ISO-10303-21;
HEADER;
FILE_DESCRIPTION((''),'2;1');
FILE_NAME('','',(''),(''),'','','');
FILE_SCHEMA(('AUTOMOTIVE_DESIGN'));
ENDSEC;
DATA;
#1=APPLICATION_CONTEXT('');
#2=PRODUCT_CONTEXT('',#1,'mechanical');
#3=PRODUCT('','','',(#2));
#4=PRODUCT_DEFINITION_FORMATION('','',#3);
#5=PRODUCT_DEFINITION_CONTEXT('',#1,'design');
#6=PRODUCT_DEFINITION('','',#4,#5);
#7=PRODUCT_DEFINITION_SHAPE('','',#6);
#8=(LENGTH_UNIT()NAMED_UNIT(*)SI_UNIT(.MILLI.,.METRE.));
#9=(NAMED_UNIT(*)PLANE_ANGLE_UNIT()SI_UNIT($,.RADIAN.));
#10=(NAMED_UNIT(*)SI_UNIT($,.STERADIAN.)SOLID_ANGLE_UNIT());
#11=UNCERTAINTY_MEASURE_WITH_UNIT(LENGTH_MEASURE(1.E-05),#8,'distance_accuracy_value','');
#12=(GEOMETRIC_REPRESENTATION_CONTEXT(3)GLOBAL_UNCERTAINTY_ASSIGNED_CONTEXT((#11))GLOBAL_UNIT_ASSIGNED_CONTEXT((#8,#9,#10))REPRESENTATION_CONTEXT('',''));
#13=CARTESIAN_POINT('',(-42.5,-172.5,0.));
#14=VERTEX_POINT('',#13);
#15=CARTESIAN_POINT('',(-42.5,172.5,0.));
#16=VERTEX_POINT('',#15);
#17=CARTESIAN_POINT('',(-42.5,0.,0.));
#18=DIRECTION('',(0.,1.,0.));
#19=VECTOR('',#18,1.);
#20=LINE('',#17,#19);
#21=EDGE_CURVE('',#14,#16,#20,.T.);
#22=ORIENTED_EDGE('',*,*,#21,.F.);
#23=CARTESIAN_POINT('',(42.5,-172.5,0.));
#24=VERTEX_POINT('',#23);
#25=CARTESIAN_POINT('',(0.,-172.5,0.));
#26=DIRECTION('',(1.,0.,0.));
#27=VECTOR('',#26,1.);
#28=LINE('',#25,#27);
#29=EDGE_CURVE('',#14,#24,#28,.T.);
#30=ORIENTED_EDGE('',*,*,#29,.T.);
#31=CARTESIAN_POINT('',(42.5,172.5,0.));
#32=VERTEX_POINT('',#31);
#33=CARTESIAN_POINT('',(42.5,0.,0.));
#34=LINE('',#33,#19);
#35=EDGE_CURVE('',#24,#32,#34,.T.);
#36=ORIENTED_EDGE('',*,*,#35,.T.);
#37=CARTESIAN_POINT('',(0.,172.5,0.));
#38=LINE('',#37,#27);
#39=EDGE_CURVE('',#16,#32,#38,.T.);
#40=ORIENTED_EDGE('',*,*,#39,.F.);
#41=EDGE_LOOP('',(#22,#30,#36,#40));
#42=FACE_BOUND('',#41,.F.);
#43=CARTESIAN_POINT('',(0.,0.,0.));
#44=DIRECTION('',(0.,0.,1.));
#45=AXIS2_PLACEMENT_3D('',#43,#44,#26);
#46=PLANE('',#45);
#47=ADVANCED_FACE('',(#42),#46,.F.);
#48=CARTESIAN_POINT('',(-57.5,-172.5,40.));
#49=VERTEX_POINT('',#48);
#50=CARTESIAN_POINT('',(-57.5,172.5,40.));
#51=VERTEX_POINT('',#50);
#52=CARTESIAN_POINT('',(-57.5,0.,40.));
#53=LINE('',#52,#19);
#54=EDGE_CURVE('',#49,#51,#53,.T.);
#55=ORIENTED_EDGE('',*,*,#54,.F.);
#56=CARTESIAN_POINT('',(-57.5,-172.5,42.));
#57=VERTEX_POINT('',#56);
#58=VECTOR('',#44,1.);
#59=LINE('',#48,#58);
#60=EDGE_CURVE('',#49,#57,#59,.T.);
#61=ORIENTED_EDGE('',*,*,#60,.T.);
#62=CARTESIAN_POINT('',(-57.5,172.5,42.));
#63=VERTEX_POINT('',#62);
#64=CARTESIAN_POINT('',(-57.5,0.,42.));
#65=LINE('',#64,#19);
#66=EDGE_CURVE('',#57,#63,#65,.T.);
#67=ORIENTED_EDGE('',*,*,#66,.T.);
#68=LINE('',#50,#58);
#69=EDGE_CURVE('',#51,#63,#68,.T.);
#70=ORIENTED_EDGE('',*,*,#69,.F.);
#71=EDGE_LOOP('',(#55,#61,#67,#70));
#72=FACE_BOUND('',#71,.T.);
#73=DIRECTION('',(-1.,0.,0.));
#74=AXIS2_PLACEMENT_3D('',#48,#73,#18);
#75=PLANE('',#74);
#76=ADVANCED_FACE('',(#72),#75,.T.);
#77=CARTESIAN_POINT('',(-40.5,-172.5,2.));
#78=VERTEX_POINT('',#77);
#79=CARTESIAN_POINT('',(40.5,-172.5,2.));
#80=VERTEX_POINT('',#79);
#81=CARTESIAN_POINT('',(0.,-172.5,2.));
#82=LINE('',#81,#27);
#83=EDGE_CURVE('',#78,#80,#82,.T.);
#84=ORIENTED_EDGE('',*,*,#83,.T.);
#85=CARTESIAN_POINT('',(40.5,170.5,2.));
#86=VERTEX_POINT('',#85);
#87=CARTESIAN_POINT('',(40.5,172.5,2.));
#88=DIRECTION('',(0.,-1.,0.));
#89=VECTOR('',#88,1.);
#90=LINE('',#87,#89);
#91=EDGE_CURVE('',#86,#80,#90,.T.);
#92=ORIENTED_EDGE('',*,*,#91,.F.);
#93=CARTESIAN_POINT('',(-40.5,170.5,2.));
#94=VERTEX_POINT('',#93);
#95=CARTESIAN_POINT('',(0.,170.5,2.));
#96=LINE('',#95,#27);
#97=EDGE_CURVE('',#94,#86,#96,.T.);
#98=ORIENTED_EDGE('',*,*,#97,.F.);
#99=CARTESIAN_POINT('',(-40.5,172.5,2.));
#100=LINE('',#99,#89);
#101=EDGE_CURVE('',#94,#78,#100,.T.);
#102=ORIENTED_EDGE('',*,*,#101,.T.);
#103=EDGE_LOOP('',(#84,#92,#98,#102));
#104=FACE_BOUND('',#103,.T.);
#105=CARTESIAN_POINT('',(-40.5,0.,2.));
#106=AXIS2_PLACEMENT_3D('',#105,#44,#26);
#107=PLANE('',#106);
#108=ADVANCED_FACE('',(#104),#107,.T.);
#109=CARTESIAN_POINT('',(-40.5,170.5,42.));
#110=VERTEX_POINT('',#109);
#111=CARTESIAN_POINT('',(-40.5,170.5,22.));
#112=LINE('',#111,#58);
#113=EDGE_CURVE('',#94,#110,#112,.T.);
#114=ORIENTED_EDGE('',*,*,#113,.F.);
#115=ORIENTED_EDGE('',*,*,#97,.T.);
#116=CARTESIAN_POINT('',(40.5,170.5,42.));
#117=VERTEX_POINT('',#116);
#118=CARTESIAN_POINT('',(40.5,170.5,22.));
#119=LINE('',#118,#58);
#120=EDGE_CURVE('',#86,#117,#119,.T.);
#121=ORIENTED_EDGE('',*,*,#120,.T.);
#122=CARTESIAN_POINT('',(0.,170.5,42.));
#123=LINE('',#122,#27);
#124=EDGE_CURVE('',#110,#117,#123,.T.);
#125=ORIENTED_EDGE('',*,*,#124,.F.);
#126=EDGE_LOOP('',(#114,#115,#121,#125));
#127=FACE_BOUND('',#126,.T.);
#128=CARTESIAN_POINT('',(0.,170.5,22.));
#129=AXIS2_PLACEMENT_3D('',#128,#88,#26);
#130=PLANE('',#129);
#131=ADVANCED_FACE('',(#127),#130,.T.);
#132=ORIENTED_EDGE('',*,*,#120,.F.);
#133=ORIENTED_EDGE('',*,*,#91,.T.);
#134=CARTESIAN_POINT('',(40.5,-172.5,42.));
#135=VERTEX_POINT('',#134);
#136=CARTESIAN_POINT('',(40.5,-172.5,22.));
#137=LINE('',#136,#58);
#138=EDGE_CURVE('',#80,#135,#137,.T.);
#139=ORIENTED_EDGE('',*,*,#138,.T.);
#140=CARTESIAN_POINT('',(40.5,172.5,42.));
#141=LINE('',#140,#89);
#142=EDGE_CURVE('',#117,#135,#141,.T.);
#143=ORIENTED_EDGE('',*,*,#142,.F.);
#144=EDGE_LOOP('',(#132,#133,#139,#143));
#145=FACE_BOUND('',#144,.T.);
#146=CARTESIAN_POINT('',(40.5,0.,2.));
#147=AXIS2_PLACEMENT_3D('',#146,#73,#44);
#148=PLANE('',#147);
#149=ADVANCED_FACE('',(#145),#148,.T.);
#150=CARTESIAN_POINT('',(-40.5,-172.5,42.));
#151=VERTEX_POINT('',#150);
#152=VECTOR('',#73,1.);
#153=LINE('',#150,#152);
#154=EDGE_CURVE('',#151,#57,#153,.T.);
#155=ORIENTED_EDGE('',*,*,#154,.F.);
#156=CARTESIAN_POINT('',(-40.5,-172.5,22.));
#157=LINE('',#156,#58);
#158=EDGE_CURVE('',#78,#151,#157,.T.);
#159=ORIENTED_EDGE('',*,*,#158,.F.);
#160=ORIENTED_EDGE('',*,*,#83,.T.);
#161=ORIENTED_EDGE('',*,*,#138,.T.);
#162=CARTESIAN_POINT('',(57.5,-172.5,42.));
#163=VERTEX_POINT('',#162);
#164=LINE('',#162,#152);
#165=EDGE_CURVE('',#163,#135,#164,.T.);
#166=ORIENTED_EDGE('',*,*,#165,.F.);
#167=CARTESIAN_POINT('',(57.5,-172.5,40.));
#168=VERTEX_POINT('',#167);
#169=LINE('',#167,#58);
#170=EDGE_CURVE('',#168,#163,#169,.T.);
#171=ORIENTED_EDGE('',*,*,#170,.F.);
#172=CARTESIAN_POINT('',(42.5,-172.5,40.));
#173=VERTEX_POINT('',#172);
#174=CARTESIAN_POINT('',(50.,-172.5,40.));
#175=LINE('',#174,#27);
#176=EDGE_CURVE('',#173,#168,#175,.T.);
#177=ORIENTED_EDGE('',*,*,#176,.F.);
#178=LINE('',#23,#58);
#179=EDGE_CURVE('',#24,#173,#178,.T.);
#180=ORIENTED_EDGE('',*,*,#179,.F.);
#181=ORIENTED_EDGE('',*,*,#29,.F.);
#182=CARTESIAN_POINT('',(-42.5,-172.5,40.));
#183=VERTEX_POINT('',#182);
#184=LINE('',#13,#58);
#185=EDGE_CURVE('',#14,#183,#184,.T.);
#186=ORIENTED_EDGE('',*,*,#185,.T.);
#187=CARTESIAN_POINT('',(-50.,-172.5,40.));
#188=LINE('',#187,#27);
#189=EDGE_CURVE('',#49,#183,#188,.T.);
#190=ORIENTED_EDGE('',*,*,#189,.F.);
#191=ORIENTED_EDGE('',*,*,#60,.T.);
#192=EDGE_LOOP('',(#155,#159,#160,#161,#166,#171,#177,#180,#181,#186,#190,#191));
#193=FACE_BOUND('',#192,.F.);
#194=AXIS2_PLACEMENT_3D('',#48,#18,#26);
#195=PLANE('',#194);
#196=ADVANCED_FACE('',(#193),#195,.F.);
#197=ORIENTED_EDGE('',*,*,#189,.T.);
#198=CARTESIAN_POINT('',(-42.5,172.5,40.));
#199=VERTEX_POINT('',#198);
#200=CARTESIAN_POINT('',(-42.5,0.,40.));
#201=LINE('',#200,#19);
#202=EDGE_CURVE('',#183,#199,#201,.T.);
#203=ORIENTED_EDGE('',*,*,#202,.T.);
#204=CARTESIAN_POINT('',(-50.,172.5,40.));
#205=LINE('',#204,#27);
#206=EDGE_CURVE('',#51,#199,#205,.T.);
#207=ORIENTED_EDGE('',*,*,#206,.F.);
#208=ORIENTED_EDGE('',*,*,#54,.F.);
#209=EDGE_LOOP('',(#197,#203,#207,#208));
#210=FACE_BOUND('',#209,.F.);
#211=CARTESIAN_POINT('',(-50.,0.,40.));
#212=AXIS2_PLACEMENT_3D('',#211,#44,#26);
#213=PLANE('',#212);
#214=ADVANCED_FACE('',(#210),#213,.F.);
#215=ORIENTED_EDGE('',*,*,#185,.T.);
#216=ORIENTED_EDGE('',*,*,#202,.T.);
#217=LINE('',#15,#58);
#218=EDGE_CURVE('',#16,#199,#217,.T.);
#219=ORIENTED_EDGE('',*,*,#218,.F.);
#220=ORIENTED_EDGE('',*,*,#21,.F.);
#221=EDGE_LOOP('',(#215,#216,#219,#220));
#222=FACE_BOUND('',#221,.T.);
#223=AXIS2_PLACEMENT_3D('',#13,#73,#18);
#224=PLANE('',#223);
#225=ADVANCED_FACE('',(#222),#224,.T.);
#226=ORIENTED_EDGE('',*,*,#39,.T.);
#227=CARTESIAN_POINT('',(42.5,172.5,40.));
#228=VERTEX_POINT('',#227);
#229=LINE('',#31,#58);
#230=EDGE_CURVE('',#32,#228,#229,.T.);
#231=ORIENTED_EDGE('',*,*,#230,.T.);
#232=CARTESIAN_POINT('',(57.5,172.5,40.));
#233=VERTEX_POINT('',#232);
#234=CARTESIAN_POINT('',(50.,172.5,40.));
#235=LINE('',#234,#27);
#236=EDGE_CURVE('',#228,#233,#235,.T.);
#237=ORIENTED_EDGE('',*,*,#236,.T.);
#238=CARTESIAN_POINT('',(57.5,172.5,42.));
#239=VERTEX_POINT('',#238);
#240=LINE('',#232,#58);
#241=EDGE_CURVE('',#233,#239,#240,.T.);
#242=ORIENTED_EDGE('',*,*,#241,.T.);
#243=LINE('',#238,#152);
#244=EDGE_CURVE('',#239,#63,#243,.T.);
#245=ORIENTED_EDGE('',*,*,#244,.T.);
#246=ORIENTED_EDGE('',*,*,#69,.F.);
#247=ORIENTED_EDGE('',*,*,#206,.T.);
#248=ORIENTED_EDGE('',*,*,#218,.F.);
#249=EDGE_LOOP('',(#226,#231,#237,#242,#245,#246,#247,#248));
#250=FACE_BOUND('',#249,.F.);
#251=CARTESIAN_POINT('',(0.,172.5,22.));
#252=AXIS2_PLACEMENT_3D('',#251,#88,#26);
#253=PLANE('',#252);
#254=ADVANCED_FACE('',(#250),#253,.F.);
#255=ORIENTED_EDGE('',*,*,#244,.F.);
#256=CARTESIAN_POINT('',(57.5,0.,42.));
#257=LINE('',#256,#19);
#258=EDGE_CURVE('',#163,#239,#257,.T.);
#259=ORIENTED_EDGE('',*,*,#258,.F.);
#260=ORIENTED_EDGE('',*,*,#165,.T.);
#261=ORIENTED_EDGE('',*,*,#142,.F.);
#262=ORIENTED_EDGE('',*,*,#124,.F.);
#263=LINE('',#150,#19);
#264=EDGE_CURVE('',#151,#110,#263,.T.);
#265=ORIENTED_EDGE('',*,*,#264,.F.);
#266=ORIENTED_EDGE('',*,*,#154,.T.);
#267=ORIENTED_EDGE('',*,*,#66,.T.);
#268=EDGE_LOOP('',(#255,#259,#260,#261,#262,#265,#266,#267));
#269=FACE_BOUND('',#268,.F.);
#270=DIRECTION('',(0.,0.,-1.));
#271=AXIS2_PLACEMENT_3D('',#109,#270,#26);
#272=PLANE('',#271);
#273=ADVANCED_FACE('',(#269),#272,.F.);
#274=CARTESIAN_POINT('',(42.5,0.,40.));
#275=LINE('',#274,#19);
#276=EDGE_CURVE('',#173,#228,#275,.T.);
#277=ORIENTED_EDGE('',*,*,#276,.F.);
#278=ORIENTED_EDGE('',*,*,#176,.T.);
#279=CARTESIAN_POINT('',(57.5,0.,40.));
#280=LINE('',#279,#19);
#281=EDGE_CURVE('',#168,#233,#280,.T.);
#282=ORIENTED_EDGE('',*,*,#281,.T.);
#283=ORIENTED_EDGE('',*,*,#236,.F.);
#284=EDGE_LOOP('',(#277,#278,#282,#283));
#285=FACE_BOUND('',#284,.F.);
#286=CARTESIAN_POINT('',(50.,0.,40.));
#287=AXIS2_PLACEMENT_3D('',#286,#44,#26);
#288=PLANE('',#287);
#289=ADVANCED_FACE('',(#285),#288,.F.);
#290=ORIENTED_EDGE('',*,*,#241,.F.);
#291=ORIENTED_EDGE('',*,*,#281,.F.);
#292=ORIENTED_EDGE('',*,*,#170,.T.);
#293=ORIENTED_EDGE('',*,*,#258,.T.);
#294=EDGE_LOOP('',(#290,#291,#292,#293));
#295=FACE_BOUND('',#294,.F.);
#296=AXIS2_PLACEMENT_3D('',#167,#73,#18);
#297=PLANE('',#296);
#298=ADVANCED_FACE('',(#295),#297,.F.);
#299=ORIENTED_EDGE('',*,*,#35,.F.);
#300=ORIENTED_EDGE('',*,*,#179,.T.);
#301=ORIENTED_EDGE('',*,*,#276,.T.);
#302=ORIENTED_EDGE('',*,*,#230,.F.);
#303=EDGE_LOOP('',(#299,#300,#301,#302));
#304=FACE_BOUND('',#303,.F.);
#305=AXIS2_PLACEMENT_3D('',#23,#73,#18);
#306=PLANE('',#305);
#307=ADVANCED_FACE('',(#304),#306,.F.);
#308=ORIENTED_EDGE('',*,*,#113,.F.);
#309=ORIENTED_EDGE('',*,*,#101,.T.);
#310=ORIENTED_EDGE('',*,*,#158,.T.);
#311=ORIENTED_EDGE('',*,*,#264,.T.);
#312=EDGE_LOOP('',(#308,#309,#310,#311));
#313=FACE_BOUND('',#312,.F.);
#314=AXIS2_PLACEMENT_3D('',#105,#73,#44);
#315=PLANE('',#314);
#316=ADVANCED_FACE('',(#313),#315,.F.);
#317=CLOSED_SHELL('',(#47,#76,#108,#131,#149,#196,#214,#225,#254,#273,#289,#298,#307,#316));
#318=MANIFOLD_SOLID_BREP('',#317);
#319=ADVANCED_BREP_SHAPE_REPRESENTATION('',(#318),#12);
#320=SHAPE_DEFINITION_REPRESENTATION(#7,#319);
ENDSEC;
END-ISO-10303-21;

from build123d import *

# Parameters (mm, degrees)
F0_W          = 85
F0_H          = 345
F1_DEPTH      = 42
F2_T          = -2
F3_W          = 81
F3_H          = 40
F4_DEPTH      = 172.5
F4_DEPTH_BACK = 172.5
F6_START      = 40
F5_W          = 15
F5_H          = 345
F6_DEPTH      = 2
F8_START      = -170.5
F7_W          = 81
F7_H          = 40
F8_DEPTH      = 2


with BuildPart() as f1:
    # F0 (on Top) → F1 (new body)
    with BuildSketch(Plane.XY):
        Rectangle(F0_W, F0_H)
    extrude(amount=F1_DEPTH)

    # F2
    f2_openings = [f1.faces().sort_by_distance(p)[0] for p in [
        (0, 0, 42),
    ]]
    offset(amount=F2_T, openings=f2_openings)

    # F3 (on Front) → F4 (cut, two sides)
    with BuildSketch(Plane.XZ) as f4_sk:
        with Locations((0, 22)):
            Rectangle(F3_W, F3_H)
    extrude(amount=F4_DEPTH, mode=Mode.SUBTRACT)
    extrude(f4_sk.sketch, amount=-F4_DEPTH_BACK, mode=Mode.SUBTRACT)

    # F5 (on Top) → F6 (join)
    with BuildSketch(Plane.XY.offset(F6_START)):
        with Locations((-50, 0)):
            Rectangle(F5_W, F5_H)
        with Locations((50, 0)):
            Rectangle(F5_W, F5_H)
    extrude(amount=F6_DEPTH)

    # F7 (on Front) → F8 (join)
    with BuildSketch(Plane.XZ.offset(F8_START)):
        with Locations((0, 22)):
            Rectangle(F7_W, F7_H)
    extrude(amount=-F8_DEPTH)


solid = f1.part
